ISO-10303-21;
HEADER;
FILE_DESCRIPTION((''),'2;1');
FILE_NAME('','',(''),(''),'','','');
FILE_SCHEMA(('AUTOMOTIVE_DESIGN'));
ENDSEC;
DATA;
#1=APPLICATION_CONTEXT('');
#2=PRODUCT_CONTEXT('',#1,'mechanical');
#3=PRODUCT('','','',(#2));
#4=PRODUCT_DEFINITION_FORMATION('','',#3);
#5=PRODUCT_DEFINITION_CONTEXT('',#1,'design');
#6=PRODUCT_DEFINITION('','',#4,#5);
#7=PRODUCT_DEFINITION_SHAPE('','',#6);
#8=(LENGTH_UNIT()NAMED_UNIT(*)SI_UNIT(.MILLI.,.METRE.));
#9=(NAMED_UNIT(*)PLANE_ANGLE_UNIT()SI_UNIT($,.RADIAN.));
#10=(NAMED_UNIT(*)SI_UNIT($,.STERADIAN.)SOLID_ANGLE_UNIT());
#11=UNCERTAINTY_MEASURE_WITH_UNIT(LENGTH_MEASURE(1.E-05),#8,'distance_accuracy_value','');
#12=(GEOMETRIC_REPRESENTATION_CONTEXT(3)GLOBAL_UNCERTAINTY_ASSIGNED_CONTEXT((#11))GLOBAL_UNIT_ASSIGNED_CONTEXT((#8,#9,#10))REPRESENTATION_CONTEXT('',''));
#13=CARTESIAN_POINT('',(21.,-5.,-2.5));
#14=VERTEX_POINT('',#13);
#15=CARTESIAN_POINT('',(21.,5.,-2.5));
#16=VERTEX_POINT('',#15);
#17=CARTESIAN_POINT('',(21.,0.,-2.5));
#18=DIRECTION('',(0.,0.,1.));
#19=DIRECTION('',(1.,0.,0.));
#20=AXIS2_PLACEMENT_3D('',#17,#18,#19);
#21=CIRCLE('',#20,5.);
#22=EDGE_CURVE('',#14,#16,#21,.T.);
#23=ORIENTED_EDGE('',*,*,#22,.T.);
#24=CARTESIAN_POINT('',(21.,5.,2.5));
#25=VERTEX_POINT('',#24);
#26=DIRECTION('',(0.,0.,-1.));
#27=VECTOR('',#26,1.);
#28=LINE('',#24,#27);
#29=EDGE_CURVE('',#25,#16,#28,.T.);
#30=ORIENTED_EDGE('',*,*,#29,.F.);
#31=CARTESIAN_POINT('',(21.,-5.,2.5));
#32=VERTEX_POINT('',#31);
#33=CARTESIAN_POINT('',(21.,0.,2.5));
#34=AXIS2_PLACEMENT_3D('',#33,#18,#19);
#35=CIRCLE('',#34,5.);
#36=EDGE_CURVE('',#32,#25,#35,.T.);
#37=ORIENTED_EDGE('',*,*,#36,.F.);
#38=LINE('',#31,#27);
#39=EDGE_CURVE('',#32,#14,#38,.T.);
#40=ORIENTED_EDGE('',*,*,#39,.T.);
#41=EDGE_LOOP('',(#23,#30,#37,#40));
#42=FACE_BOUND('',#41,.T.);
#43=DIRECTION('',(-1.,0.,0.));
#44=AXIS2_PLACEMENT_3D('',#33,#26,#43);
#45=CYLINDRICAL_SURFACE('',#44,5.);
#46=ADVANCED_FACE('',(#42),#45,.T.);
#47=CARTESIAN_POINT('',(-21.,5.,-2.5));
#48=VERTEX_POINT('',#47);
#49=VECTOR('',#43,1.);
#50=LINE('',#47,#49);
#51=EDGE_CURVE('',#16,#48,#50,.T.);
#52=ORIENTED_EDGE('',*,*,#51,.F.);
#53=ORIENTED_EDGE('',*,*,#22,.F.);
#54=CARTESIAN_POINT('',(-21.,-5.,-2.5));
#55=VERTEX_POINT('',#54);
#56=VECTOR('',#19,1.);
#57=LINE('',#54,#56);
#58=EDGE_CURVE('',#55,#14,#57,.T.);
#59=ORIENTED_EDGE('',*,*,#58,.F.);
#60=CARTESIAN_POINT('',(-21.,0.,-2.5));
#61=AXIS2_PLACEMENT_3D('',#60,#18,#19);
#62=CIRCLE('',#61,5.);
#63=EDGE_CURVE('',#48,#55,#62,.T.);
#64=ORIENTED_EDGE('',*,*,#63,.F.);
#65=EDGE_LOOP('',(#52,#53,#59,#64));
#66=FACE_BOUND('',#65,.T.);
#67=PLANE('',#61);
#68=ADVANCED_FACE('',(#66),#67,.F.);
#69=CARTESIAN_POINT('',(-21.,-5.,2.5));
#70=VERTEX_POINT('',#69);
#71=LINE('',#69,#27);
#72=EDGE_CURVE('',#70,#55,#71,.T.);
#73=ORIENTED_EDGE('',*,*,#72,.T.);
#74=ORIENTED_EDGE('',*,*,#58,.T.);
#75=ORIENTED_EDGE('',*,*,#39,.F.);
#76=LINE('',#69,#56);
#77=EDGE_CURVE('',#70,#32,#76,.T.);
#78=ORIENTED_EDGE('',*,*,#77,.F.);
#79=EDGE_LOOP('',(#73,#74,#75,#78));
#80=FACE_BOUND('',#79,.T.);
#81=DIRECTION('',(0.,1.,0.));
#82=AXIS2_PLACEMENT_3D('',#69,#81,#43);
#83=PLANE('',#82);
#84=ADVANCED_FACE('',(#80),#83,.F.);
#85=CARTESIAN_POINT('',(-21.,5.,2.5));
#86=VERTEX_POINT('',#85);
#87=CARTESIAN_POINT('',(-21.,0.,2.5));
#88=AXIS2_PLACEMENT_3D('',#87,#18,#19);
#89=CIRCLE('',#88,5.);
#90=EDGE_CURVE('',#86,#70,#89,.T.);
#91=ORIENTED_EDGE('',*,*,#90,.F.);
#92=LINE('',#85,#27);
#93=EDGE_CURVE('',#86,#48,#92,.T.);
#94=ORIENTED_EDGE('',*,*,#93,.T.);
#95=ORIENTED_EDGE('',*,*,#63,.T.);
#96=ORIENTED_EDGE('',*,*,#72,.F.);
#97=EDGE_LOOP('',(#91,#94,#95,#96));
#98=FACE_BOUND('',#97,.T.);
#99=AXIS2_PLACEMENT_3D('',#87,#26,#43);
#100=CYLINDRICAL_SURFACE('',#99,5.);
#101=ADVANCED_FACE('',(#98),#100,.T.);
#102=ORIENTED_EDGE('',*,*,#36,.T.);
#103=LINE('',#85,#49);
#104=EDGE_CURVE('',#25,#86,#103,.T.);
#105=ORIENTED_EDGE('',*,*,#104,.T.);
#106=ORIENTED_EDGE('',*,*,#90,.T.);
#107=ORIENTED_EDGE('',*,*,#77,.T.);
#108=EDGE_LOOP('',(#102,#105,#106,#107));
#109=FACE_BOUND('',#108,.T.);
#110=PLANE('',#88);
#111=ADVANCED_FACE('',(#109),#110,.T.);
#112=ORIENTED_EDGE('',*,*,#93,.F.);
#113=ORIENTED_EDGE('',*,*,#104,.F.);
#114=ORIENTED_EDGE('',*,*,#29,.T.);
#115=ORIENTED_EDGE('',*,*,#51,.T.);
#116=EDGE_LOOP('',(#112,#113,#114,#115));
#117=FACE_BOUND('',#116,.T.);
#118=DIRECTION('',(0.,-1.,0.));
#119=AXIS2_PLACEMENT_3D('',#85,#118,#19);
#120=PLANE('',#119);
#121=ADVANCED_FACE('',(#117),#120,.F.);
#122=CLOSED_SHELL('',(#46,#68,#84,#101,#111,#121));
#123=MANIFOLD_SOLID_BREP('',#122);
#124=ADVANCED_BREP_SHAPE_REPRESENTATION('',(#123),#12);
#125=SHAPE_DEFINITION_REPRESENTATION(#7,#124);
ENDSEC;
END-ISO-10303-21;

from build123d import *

# Parameters (mm, degrees)
BOSS_EXTRUDE1_DEPTH = 2.5


with BuildPart() as part:
    # Sketch1 → Boss-Extrude1 (new, symmetric)
    with BuildSketch(Plane.XY):
        with BuildLine():
            Line((-21, 5), (21, 5))
            ThreePointArc((21, 5), (26, 0), (21, -5))
            Line((21, -5), (-21, -5))
            ThreePointArc((-21, -5), (-26, 0), (-21, 5))
        make_face()
    extrude(amount=BOSS_EXTRUDE1_DEPTH, both=True)


solid = part.part
